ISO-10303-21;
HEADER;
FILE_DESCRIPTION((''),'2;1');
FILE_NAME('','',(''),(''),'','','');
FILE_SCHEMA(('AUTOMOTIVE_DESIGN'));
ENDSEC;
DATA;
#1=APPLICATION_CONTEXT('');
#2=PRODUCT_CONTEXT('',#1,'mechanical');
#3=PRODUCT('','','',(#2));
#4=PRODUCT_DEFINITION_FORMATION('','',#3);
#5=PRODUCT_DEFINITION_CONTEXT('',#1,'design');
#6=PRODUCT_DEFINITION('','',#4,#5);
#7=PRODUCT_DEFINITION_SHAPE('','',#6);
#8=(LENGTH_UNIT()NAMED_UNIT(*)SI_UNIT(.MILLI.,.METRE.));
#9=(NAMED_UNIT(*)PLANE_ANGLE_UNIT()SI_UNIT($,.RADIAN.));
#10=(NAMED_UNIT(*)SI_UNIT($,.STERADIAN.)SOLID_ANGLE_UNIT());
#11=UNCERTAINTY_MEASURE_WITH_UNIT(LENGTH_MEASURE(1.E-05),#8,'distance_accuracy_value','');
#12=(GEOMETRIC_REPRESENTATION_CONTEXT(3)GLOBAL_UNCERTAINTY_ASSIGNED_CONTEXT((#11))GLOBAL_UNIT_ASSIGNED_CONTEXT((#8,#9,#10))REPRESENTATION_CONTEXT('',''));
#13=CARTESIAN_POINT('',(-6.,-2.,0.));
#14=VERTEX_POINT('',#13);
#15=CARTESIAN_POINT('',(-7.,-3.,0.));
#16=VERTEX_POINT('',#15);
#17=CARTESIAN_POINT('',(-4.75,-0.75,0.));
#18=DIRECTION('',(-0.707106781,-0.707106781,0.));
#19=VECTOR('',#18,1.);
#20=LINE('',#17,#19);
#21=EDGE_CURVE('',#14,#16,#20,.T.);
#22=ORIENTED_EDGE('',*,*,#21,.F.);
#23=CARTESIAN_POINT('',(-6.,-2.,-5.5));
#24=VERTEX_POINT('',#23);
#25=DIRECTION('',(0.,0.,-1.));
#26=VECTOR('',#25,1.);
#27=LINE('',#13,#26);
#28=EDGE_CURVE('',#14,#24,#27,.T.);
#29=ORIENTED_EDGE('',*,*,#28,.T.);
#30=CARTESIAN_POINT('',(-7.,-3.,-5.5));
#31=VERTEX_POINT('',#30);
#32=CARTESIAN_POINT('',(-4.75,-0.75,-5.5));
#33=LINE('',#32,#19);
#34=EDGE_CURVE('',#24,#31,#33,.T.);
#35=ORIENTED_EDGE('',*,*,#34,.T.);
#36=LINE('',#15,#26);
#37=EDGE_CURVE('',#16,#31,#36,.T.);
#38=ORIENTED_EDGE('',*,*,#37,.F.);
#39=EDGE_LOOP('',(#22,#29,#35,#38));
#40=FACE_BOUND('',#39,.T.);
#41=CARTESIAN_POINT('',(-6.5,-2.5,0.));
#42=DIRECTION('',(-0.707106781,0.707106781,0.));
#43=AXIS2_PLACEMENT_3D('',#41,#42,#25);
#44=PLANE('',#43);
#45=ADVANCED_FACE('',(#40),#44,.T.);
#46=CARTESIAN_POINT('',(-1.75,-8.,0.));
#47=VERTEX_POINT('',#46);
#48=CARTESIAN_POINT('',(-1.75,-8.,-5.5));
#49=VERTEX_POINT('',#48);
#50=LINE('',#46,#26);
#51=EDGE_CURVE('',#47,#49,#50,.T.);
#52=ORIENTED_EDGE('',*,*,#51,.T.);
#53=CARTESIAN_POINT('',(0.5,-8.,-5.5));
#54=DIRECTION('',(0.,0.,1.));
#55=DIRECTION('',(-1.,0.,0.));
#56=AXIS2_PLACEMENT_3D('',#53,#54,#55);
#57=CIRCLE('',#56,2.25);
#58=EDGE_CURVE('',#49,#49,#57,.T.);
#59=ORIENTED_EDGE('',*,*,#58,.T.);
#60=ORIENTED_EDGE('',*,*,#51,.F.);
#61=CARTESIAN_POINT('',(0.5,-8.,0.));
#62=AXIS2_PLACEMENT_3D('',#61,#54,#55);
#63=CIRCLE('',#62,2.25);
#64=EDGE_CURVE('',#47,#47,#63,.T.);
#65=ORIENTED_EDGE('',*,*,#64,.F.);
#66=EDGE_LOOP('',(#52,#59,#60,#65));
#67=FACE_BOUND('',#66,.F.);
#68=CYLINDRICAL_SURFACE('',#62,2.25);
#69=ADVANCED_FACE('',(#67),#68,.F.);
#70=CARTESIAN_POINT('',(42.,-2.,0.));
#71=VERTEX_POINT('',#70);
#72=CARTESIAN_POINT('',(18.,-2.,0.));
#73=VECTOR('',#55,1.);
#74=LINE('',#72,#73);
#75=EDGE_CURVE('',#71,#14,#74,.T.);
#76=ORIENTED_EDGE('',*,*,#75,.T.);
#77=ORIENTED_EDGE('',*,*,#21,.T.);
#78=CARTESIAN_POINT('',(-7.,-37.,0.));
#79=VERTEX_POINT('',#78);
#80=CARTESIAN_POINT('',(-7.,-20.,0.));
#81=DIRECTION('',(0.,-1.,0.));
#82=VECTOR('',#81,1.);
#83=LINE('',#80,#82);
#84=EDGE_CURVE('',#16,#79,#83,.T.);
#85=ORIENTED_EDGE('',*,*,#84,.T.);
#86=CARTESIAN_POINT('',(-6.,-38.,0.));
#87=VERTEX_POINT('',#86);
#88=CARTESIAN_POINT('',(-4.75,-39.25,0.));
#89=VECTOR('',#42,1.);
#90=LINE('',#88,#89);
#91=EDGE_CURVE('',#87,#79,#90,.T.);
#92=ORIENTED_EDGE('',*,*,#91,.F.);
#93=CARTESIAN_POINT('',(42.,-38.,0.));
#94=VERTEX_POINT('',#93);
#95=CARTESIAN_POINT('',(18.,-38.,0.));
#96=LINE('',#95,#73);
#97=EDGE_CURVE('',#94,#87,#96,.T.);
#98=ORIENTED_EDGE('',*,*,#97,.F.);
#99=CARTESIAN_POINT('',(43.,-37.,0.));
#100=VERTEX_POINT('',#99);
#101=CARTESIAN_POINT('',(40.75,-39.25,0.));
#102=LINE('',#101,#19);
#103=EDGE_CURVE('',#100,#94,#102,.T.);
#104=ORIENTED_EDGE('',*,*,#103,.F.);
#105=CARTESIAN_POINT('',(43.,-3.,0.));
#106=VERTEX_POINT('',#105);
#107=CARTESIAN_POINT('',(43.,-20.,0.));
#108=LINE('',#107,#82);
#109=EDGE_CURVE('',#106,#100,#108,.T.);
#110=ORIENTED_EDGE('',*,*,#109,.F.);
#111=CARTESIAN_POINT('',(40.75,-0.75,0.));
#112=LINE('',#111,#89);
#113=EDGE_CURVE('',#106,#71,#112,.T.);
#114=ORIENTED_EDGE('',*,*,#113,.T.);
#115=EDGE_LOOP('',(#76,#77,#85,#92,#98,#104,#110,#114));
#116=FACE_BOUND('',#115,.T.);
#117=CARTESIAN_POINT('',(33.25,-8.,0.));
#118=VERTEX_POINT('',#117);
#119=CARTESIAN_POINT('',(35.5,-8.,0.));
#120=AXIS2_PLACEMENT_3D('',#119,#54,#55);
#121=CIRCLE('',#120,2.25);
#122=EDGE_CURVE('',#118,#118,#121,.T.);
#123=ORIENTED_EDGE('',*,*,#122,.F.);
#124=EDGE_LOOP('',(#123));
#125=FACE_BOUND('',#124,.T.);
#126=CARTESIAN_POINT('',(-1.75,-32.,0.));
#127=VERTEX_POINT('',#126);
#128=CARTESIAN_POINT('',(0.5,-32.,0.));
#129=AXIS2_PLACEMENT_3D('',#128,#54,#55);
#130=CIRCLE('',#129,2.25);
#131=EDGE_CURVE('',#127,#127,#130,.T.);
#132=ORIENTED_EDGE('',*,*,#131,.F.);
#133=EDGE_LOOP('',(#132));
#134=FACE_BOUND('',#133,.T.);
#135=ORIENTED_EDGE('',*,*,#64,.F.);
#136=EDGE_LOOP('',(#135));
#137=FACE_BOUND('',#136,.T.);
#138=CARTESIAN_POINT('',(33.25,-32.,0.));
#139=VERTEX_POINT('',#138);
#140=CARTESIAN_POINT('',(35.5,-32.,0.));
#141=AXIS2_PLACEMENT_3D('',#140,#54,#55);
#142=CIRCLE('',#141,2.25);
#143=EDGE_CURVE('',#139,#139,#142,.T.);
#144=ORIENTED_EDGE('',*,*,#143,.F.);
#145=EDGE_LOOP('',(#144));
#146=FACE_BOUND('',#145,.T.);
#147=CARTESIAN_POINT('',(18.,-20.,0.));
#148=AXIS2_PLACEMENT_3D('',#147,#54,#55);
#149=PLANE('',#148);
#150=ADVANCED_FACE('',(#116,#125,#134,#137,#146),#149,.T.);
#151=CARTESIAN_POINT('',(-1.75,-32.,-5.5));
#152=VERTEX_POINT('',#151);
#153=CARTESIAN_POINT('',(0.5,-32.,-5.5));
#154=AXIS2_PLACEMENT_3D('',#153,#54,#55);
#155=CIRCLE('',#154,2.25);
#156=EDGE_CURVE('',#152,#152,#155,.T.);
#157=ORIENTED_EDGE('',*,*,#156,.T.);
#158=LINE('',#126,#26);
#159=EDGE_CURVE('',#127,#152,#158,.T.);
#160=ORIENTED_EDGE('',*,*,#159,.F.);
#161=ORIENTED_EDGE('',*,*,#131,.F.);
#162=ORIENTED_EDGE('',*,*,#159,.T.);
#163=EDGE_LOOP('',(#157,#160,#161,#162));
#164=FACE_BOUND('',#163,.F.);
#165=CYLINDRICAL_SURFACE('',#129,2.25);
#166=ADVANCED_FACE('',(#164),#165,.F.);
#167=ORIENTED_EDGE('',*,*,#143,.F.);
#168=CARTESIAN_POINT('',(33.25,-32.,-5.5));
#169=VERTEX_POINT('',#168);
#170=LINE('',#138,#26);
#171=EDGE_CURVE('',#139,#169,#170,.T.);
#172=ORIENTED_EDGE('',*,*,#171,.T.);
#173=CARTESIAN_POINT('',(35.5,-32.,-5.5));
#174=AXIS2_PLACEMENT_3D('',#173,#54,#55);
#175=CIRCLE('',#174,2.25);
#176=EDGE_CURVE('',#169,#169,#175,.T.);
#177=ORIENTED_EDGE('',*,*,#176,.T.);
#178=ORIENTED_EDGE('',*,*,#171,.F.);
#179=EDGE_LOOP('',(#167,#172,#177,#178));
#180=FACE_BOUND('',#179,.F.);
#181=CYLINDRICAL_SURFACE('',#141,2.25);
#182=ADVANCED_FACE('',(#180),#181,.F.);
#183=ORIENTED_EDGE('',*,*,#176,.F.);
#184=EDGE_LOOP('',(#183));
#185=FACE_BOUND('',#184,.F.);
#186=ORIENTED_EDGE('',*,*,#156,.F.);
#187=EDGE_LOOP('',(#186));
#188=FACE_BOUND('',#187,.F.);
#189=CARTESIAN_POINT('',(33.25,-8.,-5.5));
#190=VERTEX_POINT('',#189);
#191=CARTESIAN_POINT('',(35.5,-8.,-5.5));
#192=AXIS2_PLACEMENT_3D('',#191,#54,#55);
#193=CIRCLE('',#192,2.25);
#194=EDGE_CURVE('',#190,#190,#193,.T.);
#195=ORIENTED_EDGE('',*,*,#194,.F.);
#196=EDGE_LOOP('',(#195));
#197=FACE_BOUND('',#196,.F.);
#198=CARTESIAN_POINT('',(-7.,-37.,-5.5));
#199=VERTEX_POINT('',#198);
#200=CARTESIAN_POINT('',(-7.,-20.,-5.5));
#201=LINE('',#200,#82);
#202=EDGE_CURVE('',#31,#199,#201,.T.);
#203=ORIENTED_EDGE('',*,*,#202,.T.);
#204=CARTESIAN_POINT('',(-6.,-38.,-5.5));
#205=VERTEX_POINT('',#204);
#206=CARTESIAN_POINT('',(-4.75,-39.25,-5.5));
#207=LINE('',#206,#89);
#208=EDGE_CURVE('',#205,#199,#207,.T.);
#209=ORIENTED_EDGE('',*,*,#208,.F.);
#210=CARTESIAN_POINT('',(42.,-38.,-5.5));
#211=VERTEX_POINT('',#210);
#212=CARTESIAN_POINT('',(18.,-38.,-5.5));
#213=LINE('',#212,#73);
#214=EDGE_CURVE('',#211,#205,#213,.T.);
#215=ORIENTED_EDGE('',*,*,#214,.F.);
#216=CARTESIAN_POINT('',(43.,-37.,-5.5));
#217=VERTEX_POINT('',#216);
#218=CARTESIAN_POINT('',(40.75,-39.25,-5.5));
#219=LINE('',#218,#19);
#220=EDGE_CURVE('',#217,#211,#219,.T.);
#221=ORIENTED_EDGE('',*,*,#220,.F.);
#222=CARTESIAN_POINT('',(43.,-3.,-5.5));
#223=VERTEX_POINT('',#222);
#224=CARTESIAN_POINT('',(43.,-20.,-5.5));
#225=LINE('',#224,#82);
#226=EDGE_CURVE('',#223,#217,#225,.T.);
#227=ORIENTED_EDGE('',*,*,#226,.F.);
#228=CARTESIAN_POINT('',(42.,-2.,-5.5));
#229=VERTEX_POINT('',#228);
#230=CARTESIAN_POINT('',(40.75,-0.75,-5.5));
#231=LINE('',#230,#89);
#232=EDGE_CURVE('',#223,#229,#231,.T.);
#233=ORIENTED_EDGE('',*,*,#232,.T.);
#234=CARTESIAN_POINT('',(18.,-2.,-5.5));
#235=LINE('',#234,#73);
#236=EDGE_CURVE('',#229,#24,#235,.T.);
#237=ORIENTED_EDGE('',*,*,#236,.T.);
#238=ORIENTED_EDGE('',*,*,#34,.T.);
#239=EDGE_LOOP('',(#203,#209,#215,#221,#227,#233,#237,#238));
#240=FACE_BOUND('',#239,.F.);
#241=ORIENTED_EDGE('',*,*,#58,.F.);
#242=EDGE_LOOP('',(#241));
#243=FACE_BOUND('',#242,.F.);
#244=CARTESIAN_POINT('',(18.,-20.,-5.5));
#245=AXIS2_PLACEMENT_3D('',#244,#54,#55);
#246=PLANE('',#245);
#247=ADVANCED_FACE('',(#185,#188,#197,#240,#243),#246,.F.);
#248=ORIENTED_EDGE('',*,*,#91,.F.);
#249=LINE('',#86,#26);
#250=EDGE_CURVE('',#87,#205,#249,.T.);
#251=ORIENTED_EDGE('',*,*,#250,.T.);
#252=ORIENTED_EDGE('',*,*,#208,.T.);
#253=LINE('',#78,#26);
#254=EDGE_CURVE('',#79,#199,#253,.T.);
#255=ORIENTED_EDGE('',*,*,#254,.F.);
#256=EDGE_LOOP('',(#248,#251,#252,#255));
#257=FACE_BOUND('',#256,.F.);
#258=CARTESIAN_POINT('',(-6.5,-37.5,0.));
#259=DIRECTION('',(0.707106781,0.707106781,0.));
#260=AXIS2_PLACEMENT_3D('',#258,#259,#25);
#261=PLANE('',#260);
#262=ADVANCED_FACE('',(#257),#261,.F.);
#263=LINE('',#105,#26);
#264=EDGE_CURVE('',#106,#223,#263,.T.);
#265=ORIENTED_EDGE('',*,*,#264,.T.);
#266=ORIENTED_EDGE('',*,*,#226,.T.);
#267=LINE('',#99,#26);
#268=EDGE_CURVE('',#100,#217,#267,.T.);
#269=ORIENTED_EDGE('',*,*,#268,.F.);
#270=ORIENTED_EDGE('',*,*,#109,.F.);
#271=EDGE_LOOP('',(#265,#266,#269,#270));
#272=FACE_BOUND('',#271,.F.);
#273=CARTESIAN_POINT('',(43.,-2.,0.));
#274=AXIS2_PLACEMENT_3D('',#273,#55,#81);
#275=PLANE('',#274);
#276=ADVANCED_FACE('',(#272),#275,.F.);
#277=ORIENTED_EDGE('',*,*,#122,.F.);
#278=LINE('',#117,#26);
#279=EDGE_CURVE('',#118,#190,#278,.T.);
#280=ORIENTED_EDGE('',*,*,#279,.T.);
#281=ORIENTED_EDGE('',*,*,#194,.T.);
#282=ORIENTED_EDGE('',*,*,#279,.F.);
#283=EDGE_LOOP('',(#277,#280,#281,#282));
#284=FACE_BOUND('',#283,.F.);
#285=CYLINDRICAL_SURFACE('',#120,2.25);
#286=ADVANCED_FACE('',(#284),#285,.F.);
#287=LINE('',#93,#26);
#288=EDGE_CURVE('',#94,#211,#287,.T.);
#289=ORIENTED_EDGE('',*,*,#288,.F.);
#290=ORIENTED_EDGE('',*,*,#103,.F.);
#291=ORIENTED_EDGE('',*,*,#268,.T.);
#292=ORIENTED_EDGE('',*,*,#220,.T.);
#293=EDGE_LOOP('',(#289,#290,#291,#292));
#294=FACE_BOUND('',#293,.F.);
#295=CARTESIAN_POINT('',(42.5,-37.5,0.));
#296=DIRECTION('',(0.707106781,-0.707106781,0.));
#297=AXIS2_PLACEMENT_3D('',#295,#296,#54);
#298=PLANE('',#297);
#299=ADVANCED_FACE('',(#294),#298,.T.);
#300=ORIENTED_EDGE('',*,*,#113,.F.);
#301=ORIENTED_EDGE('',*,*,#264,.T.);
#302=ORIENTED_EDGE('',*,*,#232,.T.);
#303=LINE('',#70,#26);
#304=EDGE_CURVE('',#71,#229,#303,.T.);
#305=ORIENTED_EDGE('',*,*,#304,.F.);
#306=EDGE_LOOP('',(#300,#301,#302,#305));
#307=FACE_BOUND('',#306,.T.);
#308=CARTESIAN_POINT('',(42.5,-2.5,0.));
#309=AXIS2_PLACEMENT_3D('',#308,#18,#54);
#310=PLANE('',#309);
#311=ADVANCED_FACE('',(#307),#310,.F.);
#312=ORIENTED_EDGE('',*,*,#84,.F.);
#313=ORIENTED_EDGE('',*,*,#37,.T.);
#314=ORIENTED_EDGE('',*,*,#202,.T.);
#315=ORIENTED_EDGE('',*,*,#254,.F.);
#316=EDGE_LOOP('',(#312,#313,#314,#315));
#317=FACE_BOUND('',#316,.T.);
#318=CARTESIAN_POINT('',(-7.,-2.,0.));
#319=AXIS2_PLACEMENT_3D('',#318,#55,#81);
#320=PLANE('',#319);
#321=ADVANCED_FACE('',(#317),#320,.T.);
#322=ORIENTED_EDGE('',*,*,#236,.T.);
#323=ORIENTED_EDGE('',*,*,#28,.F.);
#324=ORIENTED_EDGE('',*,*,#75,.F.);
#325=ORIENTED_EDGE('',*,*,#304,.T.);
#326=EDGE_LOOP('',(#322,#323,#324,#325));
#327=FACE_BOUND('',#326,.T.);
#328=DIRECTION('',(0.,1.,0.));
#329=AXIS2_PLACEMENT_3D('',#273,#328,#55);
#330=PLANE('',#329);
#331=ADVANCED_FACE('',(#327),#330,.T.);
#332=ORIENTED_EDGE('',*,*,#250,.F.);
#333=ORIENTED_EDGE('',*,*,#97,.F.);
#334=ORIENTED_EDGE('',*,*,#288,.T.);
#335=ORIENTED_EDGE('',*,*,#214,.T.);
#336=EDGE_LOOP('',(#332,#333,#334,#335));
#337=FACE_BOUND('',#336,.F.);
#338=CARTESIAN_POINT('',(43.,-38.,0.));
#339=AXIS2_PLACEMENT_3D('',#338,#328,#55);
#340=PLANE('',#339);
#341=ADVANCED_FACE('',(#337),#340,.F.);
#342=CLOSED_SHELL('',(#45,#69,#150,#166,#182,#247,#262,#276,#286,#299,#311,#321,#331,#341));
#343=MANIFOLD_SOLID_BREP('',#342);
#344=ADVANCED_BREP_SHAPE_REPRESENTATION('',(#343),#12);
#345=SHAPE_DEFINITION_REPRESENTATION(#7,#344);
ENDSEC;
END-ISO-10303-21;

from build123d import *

# Parameters (mm, degrees)
SKETCH_W              = 50
SKETCH_H              = 36
PAD_DEPTH             = 5.5
SKETCH001_R           = 2.25
HOLE_DEPTH            = 25
CHAMFER_SIZE          = 1
CLONE_PLACEMENT_ANGLE = 180


with BuildPart() as part:
    # Sketch → Pad (new body)
    with BuildSketch(Plane.XY):
        Rectangle(SKETCH_W, SKETCH_H)
    extrude(amount=-PAD_DEPTH)

    # Sketch001 → Hole (cut)
    with BuildSketch(Plane.XY):
        with Locations((-17.5, 12)):
            Circle(SKETCH001_R)
        with Locations((17.5, 12)):
            Circle(SKETCH001_R)
        with Locations((17.5, -12)):
            Circle(SKETCH001_R)
        with Locations((-17.5, -12)):
            Circle(SKETCH001_R)
    extrude(amount=-HOLE_DEPTH, mode=Mode.SUBTRACT)

    # Chamfer
    chamfer_edges = [part.edges().sort_by_distance(p)[0] for p in [
        (-25, -18, -2.75),
        (25, -18, -2.75),
        (-25, 18, -2.75),
        (25, 18, -2.75),
    ]]
    chamfer(chamfer_edges, length=CHAMFER_SIZE)


with BuildPart() as part_1:
    # Clone placement: moved
    add(part.part.moved(Location((18, -20, 0))).rotate(Axis((18, -20, 0), (0, 0, 1)), CLONE_PLACEMENT_ANGLE))


solid = part_1.part
